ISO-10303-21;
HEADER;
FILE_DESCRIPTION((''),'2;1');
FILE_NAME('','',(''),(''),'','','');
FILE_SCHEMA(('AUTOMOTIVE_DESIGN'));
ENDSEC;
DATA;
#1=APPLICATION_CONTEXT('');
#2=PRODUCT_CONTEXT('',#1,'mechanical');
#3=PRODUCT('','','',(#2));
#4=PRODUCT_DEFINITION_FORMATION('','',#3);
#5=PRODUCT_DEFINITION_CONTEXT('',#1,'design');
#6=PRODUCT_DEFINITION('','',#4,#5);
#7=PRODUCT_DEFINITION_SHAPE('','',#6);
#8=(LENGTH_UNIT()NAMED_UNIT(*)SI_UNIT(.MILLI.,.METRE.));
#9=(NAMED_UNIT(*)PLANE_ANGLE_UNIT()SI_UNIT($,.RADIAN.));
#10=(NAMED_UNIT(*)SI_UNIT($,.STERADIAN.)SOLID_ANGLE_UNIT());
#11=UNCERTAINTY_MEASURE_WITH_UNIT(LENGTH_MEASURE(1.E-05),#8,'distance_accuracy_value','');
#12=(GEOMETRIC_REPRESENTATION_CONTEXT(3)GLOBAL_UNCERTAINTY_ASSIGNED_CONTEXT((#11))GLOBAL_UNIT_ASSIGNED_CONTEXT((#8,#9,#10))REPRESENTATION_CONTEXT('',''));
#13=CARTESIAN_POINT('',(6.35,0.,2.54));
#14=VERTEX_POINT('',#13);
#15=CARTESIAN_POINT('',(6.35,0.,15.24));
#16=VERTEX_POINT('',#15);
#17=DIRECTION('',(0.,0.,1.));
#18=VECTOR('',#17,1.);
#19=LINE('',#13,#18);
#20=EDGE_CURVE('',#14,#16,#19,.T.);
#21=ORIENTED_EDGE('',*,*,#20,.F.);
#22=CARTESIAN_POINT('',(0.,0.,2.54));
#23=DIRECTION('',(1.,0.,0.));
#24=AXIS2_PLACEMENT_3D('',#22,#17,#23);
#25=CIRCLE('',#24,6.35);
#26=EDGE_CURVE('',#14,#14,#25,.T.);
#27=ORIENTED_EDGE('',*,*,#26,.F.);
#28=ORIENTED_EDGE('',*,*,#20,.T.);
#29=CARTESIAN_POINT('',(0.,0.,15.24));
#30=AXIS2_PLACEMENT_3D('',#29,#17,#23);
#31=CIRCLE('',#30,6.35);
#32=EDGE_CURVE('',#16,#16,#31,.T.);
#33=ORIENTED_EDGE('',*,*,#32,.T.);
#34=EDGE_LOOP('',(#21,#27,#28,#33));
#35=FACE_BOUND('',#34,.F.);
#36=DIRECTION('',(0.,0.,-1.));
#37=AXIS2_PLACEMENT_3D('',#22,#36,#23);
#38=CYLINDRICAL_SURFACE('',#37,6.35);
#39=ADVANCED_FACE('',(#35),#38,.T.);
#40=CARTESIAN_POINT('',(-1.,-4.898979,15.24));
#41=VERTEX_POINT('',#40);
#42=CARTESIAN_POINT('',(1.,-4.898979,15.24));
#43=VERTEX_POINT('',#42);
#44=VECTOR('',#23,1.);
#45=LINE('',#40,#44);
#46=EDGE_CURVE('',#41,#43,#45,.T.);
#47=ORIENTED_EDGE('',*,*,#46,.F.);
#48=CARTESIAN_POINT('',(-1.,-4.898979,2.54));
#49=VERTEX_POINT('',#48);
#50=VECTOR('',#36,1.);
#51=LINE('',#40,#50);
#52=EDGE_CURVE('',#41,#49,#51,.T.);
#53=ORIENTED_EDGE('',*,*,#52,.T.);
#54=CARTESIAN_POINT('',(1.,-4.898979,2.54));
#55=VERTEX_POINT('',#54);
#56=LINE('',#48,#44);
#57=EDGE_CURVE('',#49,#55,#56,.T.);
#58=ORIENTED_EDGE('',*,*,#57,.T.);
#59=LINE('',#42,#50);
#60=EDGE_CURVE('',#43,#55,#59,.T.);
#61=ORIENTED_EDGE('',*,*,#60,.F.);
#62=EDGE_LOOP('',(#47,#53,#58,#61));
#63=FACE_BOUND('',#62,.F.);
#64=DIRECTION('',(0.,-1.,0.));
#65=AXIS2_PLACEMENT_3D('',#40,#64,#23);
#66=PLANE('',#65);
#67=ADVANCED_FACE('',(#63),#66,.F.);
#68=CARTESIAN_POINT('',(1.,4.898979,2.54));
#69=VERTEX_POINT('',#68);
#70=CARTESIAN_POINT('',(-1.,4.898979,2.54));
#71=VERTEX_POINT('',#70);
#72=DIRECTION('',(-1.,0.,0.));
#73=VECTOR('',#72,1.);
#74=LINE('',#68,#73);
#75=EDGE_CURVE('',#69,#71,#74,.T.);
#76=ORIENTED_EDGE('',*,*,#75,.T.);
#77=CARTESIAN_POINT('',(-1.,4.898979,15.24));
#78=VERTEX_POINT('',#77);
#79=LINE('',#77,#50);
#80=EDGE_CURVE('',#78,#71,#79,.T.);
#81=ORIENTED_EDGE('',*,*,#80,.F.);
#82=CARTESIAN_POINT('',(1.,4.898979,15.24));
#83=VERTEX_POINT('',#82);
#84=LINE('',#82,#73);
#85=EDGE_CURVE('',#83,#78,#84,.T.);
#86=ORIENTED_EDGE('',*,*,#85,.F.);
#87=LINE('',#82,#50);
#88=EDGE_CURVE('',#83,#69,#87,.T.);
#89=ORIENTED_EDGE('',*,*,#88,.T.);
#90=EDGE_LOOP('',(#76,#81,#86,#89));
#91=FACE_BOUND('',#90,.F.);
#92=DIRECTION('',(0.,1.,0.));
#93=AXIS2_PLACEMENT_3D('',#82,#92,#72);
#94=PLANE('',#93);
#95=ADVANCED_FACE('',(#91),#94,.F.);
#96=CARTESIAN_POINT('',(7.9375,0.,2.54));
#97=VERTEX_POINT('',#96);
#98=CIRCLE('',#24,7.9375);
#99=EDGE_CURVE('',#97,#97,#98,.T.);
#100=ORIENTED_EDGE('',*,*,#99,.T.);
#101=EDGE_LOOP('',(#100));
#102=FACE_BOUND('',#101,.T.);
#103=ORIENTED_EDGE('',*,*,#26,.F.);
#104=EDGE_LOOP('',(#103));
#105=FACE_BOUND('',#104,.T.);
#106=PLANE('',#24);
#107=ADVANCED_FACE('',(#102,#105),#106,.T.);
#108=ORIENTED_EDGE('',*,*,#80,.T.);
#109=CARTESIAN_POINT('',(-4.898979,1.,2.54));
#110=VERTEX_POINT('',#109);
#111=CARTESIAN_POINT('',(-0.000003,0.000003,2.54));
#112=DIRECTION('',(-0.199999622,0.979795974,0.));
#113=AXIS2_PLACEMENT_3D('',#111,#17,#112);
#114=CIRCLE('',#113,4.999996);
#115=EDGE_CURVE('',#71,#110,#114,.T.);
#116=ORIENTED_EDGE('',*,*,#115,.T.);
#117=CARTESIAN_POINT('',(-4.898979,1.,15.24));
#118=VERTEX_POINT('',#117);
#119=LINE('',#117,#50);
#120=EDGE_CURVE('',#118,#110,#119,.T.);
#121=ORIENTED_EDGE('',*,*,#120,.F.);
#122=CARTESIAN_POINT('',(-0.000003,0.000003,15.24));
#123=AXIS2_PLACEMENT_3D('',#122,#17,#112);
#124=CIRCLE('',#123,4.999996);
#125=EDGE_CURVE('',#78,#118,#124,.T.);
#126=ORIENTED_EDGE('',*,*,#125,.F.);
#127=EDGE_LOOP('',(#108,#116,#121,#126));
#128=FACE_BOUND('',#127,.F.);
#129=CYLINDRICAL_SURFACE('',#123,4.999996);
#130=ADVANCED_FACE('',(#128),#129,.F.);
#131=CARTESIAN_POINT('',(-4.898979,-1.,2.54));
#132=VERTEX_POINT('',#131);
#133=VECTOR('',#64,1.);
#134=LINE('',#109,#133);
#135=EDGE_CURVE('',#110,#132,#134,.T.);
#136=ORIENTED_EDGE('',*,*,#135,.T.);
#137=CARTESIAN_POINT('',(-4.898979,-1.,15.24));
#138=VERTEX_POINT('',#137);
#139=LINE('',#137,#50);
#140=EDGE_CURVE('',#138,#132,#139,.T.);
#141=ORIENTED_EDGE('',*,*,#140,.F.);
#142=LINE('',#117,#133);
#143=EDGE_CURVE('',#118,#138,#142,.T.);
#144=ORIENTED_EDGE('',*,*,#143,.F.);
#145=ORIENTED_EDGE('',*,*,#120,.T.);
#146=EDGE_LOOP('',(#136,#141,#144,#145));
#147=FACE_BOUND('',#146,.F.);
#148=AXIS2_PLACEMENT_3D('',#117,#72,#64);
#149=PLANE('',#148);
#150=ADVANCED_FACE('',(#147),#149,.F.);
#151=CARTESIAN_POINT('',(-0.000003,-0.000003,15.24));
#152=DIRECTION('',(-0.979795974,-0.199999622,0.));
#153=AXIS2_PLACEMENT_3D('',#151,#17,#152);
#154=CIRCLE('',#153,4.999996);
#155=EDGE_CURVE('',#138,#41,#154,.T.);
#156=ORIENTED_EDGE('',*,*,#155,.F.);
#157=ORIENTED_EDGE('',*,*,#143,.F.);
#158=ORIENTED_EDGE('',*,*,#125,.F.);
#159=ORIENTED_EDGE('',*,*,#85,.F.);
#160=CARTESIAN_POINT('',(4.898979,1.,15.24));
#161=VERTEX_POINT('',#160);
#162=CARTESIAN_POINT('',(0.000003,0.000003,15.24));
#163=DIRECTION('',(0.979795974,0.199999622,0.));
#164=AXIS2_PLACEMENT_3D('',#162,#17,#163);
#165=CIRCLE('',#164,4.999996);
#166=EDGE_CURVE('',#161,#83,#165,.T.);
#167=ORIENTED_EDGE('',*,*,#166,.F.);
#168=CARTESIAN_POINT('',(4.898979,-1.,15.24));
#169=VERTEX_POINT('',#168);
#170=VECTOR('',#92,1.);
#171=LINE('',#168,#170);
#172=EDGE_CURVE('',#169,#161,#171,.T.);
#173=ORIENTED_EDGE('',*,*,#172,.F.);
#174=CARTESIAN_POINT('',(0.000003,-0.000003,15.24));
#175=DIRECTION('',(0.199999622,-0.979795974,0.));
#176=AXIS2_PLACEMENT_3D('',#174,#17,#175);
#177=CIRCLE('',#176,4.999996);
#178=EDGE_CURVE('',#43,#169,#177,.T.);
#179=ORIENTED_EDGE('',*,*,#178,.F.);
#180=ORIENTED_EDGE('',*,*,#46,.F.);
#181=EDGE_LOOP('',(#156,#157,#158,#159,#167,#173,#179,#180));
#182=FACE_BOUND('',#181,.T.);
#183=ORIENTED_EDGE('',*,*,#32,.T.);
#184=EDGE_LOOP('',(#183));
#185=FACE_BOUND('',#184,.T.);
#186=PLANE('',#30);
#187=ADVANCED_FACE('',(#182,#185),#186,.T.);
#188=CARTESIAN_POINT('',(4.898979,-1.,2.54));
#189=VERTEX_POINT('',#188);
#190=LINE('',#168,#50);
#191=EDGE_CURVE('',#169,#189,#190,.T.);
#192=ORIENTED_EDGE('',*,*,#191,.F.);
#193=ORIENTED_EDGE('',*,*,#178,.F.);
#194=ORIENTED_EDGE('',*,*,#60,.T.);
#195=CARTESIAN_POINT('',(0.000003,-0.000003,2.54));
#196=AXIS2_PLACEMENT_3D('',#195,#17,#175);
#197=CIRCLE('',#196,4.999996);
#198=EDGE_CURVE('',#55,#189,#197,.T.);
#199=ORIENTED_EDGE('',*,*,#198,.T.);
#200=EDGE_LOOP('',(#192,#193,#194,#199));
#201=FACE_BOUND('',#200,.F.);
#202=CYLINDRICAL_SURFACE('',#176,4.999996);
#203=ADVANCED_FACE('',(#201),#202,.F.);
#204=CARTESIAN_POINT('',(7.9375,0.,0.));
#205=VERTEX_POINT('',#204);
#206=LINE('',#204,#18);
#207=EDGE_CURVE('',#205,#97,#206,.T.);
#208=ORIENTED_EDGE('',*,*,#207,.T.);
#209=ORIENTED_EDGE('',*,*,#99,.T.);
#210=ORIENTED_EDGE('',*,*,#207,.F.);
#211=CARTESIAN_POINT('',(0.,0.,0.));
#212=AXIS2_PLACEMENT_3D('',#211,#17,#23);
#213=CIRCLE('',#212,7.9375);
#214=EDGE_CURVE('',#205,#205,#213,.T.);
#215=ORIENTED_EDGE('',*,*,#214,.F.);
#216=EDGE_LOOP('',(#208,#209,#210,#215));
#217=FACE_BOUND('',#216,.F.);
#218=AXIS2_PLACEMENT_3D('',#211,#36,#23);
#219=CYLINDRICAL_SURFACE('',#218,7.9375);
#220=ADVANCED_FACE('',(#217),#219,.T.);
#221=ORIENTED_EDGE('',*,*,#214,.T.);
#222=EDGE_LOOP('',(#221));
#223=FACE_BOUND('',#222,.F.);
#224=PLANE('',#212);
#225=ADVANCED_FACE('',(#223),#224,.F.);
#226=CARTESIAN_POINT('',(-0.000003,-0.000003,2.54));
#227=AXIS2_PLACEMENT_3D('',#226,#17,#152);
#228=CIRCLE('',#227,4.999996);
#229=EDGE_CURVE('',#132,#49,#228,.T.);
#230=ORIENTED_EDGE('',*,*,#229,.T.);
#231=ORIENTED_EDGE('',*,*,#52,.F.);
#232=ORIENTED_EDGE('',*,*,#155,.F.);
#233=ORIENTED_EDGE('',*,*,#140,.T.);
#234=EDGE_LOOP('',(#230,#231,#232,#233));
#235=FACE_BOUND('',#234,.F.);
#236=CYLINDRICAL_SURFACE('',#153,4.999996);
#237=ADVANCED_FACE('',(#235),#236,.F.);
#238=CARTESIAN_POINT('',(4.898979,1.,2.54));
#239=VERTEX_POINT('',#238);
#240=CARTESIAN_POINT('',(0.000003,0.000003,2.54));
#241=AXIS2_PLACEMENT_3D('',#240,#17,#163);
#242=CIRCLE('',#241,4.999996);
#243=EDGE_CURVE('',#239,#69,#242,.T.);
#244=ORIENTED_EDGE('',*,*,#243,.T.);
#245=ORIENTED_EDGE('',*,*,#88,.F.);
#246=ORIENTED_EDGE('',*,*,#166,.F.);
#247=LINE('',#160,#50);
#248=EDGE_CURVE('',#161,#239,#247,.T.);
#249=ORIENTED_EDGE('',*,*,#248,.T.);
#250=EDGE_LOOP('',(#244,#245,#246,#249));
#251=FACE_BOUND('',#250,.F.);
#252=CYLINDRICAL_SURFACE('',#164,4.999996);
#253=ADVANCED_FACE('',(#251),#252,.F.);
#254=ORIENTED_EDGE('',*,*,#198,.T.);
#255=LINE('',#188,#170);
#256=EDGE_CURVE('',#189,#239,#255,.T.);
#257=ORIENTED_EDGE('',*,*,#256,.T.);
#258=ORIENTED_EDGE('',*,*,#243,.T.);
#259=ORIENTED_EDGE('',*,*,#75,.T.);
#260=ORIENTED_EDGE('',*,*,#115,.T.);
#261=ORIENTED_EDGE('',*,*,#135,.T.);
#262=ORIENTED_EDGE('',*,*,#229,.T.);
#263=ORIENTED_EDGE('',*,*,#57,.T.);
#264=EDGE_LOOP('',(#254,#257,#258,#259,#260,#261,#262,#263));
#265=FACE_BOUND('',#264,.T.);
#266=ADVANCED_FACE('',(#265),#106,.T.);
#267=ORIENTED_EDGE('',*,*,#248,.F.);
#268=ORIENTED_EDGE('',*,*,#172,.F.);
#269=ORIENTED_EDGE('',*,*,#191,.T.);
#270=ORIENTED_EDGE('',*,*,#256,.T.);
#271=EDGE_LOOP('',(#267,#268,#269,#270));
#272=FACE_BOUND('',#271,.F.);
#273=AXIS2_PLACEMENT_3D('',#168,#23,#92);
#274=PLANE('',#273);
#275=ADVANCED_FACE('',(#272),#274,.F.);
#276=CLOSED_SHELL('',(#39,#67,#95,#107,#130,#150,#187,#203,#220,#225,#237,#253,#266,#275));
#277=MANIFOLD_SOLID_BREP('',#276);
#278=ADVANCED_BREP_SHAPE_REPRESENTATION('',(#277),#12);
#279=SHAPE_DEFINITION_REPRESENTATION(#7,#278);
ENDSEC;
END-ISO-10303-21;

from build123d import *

# Parameters (mm, degrees)
F0_R     = 7.9375
F1_DEPTH = 2.54
F2_R     = 6.35
F3_DEPTH = 12.7
F5_DEPTH = 12.7


with BuildPart() as f1:
    # F0 (on Top) → F1 (new body)
    with BuildSketch(Plane.XY):
        Circle(F0_R)
    extrude(amount=F1_DEPTH)

    # F2 (on face) → F3 (join)
    with BuildSketch(Plane.XY.offset(2.54)):
        Circle(F2_R)
    extrude(amount=F3_DEPTH)

    # F4 (on face) → F5 (cut, through all)
    with BuildSketch(Plane.XY.offset(15.24)):
        with BuildLine():
            Line((1, 4.898979), (-1, 4.898979))
            ThreePointArc((-1, 4.898979), (-3.535534, 3.535534), (-4.898979, 1))
            Line((-4.898979, 1), (-4.898979, -1))
            ThreePointArc((-4.898979, -1), (-3.535534, -3.535534), (-1, -4.898979))
            Line((-1, -4.898979), (1, -4.898979))
            ThreePointArc((1, -4.898979), (3.535534, -3.535534), (4.898979, -1))
            Line((4.898979, -1), (4.898979, 1))
            ThreePointArc((4.898979, 1), (3.535534, 3.535534), (1, 4.898979))
        make_face()
    extrude(amount=-F5_DEPTH, mode=Mode.SUBTRACT)


solid = f1.part
